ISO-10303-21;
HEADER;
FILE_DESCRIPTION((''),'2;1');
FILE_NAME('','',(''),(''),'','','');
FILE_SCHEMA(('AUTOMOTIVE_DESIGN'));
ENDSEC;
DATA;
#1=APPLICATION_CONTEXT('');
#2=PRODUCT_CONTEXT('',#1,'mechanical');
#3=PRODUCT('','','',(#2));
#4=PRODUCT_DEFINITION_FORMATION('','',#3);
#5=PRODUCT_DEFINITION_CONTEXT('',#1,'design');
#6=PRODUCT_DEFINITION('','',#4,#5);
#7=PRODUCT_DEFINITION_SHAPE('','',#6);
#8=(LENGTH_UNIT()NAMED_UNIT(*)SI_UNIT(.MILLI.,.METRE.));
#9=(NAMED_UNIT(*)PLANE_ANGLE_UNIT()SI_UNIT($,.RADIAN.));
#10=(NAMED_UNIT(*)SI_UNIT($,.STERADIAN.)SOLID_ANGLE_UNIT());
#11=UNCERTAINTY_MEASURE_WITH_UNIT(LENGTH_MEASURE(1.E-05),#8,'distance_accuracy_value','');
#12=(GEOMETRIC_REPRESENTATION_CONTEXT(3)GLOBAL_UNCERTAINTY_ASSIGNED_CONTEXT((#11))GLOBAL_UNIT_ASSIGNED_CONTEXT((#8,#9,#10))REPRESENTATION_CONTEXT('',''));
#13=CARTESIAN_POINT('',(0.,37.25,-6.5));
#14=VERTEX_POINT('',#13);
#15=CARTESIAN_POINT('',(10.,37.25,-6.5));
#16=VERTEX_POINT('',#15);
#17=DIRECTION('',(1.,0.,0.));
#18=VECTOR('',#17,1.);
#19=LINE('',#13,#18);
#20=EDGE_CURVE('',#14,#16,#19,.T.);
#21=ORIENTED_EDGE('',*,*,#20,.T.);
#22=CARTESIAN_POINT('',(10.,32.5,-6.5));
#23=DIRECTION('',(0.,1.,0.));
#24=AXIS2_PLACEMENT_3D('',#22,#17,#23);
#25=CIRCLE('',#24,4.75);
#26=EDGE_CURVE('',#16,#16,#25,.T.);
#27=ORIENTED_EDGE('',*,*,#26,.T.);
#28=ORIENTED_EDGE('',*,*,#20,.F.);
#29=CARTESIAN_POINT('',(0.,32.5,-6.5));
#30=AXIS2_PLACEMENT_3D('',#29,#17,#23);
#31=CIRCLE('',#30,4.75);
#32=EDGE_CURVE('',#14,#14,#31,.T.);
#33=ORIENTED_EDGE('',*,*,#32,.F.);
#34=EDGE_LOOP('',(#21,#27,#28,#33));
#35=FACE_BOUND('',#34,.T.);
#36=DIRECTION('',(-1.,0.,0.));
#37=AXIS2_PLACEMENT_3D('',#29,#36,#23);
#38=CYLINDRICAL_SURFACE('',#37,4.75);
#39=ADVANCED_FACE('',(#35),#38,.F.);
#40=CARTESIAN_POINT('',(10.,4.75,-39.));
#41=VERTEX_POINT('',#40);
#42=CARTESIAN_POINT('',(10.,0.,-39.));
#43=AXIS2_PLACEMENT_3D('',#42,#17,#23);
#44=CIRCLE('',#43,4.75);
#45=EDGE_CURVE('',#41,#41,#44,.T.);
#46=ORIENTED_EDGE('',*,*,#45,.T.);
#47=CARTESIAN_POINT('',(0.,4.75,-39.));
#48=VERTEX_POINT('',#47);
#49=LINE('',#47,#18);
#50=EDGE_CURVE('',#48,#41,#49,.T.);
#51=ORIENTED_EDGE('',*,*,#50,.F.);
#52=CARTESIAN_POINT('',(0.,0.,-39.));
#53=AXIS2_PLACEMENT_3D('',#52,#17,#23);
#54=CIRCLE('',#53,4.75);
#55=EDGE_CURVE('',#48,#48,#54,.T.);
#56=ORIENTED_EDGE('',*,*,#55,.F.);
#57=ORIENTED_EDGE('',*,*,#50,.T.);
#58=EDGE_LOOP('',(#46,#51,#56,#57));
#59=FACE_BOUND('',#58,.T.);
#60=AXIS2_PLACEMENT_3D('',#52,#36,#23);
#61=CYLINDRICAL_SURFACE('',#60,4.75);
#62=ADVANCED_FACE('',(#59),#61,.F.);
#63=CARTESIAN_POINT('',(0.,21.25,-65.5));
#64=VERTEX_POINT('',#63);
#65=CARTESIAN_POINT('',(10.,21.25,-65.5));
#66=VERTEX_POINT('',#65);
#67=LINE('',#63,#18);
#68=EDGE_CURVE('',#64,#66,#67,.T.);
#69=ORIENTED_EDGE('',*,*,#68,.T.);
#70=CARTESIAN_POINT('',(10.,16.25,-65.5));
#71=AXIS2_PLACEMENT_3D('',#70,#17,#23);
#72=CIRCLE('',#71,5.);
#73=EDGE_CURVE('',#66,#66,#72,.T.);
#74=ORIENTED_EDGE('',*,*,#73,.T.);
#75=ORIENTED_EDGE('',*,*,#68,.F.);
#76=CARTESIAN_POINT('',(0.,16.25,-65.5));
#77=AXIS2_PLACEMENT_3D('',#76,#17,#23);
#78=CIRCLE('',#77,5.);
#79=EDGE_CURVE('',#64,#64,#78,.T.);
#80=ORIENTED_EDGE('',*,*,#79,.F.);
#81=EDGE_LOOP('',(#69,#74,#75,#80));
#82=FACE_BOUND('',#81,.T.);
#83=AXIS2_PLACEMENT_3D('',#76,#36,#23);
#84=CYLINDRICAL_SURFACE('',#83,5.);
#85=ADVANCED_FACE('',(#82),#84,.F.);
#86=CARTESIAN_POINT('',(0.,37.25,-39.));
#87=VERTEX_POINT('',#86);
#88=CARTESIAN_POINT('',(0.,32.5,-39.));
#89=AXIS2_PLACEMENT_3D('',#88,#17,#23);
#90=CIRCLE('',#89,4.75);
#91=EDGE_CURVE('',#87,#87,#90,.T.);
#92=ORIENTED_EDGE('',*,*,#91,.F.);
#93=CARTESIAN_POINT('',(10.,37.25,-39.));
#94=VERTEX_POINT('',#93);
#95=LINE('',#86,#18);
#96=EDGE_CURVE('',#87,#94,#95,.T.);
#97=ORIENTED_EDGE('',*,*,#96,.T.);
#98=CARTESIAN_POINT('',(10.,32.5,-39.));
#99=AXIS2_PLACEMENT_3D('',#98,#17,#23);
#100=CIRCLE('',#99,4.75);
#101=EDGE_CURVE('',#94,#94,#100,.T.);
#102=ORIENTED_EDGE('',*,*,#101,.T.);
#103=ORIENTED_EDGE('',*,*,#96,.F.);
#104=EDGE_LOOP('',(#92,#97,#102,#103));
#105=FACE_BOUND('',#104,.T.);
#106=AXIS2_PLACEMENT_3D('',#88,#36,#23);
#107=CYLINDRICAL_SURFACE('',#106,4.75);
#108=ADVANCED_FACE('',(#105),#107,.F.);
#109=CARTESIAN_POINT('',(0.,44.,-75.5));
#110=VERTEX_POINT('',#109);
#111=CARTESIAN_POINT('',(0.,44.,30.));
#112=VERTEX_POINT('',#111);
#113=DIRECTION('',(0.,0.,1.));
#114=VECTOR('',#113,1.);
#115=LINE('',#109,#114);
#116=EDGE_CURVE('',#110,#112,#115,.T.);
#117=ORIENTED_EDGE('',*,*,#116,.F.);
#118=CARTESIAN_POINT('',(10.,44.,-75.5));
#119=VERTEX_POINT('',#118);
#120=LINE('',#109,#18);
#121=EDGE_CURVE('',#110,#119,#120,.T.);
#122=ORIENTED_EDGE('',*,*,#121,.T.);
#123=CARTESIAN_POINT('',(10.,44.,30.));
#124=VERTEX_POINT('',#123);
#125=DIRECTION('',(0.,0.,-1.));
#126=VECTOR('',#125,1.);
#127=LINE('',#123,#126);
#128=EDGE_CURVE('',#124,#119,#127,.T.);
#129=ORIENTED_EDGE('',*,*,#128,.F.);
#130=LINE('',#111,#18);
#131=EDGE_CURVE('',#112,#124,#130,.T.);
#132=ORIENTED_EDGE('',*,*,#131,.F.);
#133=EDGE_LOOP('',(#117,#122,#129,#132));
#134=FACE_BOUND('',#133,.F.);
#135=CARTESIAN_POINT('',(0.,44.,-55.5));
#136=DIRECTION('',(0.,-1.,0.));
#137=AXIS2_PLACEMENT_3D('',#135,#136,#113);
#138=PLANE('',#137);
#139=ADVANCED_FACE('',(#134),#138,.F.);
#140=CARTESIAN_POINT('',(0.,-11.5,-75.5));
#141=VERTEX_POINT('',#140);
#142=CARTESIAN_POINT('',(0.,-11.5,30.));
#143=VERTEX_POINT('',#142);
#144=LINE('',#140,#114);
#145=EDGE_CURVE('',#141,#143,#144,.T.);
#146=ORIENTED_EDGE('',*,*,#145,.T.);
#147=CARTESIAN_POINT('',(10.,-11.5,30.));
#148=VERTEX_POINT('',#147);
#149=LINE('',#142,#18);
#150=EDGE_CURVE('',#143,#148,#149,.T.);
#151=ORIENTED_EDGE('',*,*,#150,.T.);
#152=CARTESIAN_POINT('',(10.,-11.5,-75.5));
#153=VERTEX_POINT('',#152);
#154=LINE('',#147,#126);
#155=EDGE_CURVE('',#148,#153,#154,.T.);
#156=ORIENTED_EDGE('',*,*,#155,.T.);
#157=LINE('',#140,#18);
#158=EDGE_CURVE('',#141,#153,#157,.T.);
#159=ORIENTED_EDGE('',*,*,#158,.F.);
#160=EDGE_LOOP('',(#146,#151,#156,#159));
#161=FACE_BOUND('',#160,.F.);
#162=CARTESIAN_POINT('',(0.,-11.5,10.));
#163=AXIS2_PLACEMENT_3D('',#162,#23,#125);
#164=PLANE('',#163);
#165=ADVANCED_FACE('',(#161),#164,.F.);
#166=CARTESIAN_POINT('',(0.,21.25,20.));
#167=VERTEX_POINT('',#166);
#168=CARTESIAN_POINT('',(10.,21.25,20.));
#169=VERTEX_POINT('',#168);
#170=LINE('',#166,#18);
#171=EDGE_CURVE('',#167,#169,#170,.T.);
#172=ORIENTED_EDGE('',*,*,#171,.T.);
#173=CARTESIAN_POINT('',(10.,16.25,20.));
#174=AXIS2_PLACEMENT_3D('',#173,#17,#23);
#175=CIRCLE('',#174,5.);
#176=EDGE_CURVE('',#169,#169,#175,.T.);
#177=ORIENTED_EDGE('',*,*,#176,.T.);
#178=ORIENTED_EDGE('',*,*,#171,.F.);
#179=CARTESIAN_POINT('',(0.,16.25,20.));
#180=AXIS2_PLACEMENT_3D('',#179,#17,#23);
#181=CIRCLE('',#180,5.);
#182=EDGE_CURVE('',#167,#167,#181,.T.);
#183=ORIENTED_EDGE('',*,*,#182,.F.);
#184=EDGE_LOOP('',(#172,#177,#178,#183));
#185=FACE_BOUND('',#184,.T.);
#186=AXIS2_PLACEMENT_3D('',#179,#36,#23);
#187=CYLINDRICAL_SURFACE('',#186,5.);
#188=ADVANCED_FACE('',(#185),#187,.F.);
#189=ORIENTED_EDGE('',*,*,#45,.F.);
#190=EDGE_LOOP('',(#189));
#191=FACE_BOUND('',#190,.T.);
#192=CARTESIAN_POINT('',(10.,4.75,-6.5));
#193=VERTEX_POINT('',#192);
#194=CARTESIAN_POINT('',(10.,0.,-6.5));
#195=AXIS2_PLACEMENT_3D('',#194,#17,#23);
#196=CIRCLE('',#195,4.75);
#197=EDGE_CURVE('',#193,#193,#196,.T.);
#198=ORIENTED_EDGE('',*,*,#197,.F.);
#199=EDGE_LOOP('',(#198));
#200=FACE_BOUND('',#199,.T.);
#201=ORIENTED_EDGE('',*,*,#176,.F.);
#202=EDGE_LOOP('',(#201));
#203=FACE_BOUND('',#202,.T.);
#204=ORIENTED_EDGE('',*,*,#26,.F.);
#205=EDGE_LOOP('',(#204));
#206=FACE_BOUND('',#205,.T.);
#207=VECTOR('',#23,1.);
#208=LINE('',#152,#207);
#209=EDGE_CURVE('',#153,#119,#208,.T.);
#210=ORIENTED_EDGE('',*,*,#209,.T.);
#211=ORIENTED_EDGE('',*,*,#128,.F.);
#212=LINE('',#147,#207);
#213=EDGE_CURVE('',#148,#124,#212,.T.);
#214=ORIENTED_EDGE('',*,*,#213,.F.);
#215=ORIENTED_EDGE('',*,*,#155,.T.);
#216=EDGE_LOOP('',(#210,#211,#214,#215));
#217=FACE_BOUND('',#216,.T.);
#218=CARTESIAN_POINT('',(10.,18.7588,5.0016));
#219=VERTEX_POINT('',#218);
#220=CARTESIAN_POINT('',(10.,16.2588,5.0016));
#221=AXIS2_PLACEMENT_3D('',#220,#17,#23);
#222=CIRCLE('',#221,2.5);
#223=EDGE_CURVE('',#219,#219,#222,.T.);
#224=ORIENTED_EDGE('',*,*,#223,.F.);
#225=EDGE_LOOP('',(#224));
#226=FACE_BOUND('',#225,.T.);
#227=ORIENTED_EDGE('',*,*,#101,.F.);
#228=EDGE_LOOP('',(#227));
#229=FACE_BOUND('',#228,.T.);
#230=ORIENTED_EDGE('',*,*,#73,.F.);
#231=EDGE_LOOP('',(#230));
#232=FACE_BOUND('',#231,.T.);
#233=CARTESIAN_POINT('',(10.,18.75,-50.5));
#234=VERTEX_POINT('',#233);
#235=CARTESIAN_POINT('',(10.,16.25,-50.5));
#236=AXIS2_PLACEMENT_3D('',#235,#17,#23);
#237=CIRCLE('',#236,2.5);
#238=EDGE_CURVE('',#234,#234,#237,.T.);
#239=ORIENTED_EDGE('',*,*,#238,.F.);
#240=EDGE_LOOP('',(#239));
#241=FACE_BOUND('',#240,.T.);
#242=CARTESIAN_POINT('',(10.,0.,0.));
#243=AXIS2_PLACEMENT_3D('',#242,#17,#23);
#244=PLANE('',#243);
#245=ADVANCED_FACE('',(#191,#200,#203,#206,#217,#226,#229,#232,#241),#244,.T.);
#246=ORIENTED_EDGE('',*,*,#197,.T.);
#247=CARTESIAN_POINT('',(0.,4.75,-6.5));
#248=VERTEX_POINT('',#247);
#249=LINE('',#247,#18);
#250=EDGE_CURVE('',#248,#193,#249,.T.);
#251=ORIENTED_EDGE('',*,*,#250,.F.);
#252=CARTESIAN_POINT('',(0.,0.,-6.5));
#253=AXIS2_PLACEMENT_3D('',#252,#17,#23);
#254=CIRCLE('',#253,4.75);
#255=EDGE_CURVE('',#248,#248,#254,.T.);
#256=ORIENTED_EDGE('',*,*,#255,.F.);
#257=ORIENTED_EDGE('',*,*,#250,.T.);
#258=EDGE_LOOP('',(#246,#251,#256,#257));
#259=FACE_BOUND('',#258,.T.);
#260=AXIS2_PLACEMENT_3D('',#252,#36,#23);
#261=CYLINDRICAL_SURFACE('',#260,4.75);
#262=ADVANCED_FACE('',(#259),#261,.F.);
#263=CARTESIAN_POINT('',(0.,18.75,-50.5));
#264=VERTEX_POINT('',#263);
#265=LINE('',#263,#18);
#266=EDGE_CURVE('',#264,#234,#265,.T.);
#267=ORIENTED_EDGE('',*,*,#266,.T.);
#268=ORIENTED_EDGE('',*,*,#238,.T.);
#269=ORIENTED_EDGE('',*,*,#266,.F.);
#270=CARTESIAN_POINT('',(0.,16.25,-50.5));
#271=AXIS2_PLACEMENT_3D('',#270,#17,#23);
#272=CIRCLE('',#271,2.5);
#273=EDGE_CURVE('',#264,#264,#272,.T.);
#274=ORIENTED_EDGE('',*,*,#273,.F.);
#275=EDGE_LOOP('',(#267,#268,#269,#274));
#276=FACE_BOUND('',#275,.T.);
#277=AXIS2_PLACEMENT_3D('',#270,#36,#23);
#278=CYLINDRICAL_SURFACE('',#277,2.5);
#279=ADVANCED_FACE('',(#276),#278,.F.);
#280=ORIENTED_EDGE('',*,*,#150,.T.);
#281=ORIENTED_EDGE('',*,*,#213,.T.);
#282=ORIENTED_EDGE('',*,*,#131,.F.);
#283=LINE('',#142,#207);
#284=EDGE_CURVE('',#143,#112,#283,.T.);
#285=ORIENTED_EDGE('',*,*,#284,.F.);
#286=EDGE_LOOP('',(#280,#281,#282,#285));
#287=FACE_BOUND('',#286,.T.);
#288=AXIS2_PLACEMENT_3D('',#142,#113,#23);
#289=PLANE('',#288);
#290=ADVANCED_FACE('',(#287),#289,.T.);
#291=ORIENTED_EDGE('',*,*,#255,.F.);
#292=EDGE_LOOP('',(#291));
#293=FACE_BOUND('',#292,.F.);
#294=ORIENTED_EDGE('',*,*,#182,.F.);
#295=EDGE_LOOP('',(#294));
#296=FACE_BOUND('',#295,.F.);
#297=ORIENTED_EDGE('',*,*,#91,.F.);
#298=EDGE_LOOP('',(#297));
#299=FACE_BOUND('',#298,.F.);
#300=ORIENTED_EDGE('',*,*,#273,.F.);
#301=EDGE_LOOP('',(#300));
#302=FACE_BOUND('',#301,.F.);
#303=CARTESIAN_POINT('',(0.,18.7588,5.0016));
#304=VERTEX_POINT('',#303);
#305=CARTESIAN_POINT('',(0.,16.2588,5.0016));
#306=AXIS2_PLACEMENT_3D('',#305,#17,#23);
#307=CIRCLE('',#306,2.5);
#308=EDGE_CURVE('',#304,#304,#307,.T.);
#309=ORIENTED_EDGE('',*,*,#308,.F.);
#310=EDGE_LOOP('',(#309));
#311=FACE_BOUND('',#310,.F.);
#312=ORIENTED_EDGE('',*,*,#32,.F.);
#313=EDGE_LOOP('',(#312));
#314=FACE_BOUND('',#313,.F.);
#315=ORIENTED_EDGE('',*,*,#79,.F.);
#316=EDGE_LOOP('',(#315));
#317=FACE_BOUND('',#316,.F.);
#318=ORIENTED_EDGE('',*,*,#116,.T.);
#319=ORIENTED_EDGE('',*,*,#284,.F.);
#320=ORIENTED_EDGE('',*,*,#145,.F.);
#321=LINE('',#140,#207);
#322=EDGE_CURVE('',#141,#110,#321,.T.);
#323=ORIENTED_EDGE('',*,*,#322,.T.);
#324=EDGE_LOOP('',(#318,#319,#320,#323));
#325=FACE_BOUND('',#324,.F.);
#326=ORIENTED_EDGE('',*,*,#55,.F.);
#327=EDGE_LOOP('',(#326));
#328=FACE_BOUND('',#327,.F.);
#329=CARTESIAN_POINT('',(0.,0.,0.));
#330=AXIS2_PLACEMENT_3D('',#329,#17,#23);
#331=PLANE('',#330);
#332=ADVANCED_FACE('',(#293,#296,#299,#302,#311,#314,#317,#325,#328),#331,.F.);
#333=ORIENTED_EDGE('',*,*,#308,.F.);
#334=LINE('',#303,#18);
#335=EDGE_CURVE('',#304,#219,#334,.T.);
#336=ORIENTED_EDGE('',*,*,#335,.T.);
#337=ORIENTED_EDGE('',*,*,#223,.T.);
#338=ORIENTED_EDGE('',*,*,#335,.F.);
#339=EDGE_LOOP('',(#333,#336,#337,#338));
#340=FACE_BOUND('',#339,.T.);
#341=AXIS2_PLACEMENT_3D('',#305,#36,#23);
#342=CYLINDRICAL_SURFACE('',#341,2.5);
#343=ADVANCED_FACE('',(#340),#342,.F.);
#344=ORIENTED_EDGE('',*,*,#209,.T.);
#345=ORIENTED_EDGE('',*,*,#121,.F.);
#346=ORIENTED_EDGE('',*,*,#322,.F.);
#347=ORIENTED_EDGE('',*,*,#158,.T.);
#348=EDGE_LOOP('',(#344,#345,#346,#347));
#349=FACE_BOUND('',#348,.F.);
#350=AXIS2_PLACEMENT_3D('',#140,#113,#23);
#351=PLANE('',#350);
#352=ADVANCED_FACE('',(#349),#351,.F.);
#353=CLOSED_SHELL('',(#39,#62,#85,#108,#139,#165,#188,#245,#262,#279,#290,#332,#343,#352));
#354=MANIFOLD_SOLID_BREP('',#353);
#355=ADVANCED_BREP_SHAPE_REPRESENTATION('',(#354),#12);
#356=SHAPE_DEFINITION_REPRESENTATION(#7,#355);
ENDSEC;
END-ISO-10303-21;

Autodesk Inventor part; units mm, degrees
ref_plane "YZ Plane" through (0, 0, 0) normal (1, 0, 0) x (0, 1, 0)
ref_plane "XZ Plane" through (0, 0, 0) normal (0, 1, 0) x (-1, 0, 0)
ref_plane "XY Plane" through (0, 0, 0) normal (0, 0, 1) x (1, 0, 0)
sketch "Sketch1" plane through (0, 0, 0) normal (1, 0, 0) x (0, 1, 0)
  line L0 (-6, -12.5) -> (-6, -12.9)
  arc A0 (-6, -12.9) -> (-5.6, -13.3) centre (-5.6, -12.9) ccw
  line L1 (-5.6, -13.3) -> (-4.9, -13.3)
  arc A1 (-4.9, -13.3) -> (-4.7, -13.1) centre (-4.9, -13.1) ccw
  line L2 (-4.7, -13.1) -> (-4.7, -12.85)
  arc A2 (-4.5, -12.65) -> (-4.7, -12.85) centre (-4.5, -12.85) ccw
  line L3 (-4.5, -12.65) -> (-1.8, -12.65)
  arc A3 (-1.4, -13.05) -> (-1.8, -12.65) centre (-1.8, -13.05) ccw
  line L4 (-1.4, -13.05) -> (-1.4, -18.75)
  line L5 (-1.8, -19.15) -> (-4.5, -19.15)
  arc A4 (-1.8, -19.15) -> (-1.4, -18.75) centre (-1.8, -18.75) ccw
  arc A5 (-4.7, -18.95) -> (-4.5, -19.15) centre (-4.5, -18.95) ccw
  line L6 (-4.7, -18.95) -> (-4.7, -18.7)
  arc A6 (-4.7, -18.7) -> (-4.9, -18.5) centre (-4.9, -18.7) ccw
  line L7 (-4.9, -18.5) -> (-5.6, -18.5)
  arc A7 (-5.6, -18.5) -> (-6, -18.9) centre (-5.6, -18.9) ccw
  line L8 (-6, -18.9) -> (-6, -19.5)
  line L9 (-6.5, -6.5) -> (-6.5, -12.5)
  line L10 (-6.5, -12.5) -> (-2.5, -12.5)
  line L11 (-1.05, -19.5) -> (-6.5, -19.5)
  line L12 (-6.5, -19.5) -> (-6.5, -26)
  line L13 (-6.5, -26) -> (-1.05, -26)
  line L14 (-6, -26) -> (-6, -26.6)
  arc A8 (-6, -26.6) -> (-5.6, -27) centre (-5.6, -26.6) ccw
  line L15 (-5.6, -27) -> (-4.9, -27)
  arc A9 (-4.9, -27) -> (-4.7, -26.8) centre (-4.9, -26.8) ccw
  arc A10 (-4.5, -26.35) -> (-4.7, -26.55) centre (-4.5, -26.55) ccw
  line L16 (-4.7, -26.8) -> (-4.7, -26.55)
  line L17 (-4.5, -26.35) -> (-1.8, -26.35)
  arc A11 (-1.4, -26.75) -> (-1.8, -26.35) centre (-1.8, -26.75) ccw
  line L18 (-1.4, -26.75) -> (-1.4, -32.45)
  arc A12 (-1.8, -32.85) -> (-1.4, -32.45) centre (-1.8, -32.45) ccw
  line L19 (-1.8, -32.85) -> (-4.5, -32.85)
  arc A13 (-4.7, -32.65) -> (-4.5, -32.85) centre (-4.5, -32.65) ccw
  line L20 (-4.7, -32.65) -> (-4.7, -32.4)
  arc A14 (-4.7, -32.4) -> (-4.9, -32.2) centre (-4.9, -32.4) ccw
  line L21 (-4.9, -32.2) -> (-5.6, -32.2)
  arc A15 (-5.6, -32.2) -> (-6, -32.6) centre (-5.6, -32.6) ccw
  line L22 (-6, -32.6) -> (-6, -33)
  line L23 (-2.5, -33) -> (-6.5, -33)
  line L24 (-6.5, -33) -> (-6.5, -39)
  line L25 (32.5, 0) -> (0, 0)
  circle A16 centre (0, -6.5) radius 4.75
  circle A17 centre (32.5, -6.5) radius 4.75
  circle A18 centre (0, -39) radius 4.75
  circle A19 centre (32.5, -39) radius 4.75
  line L26 (39, -26) -> (39, -19.5)
  line L27 (39, -12.5) -> (39, -6.5)
  line L28 (39, -39) -> (39, -33)
  line L29 (26.5, -45.5) -> (32.5, -45.5)
  line L30 (0, -45.5) -> (6, -45.5)
  line L31 (13, -45.5) -> (19.5, -45.5)
  circle A20 centre (16.2588, 5.0016) radius 2.5
  circle A21 centre (16.25, -50.5) radius 2.5
  line L32 (44, 10) -> (-11.5, 10)
  line L33 (-11.5, 10) -> (-11.5, -55.5)
  line L34 (-11.5, -55.5) -> (44, -55.5)
  line L35 (44, -55.5) -> (44, 10)
  line L36 (44, 10) -> (-11.5, 10)
  line L37 (-11.5, 10) -> (-11.5, 30)
  line L38 (-11.5, 30) -> (44, 30)
  line L39 (44, 30) -> (44, 10)
  line L40 (44, -55.5) -> (-11.5, -55.5)
  line L41 (-11.5, -55.5) -> (-11.5, -75.5)
  line L42 (-11.5, -75.5) -> (44, -75.5)
  line L43 (44, -75.5) -> (44, -55.5)
  circle A22 centre (16.25, 20) radius 5
  circle A23 centre (16.25, -65.5) radius 5
  point P0 (24.75, -17.8425)
  point P1 (-11.5, 10)
  dimension "d0" = 20
  dimension "d1" = 20
  dimension "d2" = 10
  dimension "d3" = 10
extrude "Extrusion1" add sketch "Sketch1" along normal blind 10
properties part number "PlacaMediaHidráulicos_CPY"
